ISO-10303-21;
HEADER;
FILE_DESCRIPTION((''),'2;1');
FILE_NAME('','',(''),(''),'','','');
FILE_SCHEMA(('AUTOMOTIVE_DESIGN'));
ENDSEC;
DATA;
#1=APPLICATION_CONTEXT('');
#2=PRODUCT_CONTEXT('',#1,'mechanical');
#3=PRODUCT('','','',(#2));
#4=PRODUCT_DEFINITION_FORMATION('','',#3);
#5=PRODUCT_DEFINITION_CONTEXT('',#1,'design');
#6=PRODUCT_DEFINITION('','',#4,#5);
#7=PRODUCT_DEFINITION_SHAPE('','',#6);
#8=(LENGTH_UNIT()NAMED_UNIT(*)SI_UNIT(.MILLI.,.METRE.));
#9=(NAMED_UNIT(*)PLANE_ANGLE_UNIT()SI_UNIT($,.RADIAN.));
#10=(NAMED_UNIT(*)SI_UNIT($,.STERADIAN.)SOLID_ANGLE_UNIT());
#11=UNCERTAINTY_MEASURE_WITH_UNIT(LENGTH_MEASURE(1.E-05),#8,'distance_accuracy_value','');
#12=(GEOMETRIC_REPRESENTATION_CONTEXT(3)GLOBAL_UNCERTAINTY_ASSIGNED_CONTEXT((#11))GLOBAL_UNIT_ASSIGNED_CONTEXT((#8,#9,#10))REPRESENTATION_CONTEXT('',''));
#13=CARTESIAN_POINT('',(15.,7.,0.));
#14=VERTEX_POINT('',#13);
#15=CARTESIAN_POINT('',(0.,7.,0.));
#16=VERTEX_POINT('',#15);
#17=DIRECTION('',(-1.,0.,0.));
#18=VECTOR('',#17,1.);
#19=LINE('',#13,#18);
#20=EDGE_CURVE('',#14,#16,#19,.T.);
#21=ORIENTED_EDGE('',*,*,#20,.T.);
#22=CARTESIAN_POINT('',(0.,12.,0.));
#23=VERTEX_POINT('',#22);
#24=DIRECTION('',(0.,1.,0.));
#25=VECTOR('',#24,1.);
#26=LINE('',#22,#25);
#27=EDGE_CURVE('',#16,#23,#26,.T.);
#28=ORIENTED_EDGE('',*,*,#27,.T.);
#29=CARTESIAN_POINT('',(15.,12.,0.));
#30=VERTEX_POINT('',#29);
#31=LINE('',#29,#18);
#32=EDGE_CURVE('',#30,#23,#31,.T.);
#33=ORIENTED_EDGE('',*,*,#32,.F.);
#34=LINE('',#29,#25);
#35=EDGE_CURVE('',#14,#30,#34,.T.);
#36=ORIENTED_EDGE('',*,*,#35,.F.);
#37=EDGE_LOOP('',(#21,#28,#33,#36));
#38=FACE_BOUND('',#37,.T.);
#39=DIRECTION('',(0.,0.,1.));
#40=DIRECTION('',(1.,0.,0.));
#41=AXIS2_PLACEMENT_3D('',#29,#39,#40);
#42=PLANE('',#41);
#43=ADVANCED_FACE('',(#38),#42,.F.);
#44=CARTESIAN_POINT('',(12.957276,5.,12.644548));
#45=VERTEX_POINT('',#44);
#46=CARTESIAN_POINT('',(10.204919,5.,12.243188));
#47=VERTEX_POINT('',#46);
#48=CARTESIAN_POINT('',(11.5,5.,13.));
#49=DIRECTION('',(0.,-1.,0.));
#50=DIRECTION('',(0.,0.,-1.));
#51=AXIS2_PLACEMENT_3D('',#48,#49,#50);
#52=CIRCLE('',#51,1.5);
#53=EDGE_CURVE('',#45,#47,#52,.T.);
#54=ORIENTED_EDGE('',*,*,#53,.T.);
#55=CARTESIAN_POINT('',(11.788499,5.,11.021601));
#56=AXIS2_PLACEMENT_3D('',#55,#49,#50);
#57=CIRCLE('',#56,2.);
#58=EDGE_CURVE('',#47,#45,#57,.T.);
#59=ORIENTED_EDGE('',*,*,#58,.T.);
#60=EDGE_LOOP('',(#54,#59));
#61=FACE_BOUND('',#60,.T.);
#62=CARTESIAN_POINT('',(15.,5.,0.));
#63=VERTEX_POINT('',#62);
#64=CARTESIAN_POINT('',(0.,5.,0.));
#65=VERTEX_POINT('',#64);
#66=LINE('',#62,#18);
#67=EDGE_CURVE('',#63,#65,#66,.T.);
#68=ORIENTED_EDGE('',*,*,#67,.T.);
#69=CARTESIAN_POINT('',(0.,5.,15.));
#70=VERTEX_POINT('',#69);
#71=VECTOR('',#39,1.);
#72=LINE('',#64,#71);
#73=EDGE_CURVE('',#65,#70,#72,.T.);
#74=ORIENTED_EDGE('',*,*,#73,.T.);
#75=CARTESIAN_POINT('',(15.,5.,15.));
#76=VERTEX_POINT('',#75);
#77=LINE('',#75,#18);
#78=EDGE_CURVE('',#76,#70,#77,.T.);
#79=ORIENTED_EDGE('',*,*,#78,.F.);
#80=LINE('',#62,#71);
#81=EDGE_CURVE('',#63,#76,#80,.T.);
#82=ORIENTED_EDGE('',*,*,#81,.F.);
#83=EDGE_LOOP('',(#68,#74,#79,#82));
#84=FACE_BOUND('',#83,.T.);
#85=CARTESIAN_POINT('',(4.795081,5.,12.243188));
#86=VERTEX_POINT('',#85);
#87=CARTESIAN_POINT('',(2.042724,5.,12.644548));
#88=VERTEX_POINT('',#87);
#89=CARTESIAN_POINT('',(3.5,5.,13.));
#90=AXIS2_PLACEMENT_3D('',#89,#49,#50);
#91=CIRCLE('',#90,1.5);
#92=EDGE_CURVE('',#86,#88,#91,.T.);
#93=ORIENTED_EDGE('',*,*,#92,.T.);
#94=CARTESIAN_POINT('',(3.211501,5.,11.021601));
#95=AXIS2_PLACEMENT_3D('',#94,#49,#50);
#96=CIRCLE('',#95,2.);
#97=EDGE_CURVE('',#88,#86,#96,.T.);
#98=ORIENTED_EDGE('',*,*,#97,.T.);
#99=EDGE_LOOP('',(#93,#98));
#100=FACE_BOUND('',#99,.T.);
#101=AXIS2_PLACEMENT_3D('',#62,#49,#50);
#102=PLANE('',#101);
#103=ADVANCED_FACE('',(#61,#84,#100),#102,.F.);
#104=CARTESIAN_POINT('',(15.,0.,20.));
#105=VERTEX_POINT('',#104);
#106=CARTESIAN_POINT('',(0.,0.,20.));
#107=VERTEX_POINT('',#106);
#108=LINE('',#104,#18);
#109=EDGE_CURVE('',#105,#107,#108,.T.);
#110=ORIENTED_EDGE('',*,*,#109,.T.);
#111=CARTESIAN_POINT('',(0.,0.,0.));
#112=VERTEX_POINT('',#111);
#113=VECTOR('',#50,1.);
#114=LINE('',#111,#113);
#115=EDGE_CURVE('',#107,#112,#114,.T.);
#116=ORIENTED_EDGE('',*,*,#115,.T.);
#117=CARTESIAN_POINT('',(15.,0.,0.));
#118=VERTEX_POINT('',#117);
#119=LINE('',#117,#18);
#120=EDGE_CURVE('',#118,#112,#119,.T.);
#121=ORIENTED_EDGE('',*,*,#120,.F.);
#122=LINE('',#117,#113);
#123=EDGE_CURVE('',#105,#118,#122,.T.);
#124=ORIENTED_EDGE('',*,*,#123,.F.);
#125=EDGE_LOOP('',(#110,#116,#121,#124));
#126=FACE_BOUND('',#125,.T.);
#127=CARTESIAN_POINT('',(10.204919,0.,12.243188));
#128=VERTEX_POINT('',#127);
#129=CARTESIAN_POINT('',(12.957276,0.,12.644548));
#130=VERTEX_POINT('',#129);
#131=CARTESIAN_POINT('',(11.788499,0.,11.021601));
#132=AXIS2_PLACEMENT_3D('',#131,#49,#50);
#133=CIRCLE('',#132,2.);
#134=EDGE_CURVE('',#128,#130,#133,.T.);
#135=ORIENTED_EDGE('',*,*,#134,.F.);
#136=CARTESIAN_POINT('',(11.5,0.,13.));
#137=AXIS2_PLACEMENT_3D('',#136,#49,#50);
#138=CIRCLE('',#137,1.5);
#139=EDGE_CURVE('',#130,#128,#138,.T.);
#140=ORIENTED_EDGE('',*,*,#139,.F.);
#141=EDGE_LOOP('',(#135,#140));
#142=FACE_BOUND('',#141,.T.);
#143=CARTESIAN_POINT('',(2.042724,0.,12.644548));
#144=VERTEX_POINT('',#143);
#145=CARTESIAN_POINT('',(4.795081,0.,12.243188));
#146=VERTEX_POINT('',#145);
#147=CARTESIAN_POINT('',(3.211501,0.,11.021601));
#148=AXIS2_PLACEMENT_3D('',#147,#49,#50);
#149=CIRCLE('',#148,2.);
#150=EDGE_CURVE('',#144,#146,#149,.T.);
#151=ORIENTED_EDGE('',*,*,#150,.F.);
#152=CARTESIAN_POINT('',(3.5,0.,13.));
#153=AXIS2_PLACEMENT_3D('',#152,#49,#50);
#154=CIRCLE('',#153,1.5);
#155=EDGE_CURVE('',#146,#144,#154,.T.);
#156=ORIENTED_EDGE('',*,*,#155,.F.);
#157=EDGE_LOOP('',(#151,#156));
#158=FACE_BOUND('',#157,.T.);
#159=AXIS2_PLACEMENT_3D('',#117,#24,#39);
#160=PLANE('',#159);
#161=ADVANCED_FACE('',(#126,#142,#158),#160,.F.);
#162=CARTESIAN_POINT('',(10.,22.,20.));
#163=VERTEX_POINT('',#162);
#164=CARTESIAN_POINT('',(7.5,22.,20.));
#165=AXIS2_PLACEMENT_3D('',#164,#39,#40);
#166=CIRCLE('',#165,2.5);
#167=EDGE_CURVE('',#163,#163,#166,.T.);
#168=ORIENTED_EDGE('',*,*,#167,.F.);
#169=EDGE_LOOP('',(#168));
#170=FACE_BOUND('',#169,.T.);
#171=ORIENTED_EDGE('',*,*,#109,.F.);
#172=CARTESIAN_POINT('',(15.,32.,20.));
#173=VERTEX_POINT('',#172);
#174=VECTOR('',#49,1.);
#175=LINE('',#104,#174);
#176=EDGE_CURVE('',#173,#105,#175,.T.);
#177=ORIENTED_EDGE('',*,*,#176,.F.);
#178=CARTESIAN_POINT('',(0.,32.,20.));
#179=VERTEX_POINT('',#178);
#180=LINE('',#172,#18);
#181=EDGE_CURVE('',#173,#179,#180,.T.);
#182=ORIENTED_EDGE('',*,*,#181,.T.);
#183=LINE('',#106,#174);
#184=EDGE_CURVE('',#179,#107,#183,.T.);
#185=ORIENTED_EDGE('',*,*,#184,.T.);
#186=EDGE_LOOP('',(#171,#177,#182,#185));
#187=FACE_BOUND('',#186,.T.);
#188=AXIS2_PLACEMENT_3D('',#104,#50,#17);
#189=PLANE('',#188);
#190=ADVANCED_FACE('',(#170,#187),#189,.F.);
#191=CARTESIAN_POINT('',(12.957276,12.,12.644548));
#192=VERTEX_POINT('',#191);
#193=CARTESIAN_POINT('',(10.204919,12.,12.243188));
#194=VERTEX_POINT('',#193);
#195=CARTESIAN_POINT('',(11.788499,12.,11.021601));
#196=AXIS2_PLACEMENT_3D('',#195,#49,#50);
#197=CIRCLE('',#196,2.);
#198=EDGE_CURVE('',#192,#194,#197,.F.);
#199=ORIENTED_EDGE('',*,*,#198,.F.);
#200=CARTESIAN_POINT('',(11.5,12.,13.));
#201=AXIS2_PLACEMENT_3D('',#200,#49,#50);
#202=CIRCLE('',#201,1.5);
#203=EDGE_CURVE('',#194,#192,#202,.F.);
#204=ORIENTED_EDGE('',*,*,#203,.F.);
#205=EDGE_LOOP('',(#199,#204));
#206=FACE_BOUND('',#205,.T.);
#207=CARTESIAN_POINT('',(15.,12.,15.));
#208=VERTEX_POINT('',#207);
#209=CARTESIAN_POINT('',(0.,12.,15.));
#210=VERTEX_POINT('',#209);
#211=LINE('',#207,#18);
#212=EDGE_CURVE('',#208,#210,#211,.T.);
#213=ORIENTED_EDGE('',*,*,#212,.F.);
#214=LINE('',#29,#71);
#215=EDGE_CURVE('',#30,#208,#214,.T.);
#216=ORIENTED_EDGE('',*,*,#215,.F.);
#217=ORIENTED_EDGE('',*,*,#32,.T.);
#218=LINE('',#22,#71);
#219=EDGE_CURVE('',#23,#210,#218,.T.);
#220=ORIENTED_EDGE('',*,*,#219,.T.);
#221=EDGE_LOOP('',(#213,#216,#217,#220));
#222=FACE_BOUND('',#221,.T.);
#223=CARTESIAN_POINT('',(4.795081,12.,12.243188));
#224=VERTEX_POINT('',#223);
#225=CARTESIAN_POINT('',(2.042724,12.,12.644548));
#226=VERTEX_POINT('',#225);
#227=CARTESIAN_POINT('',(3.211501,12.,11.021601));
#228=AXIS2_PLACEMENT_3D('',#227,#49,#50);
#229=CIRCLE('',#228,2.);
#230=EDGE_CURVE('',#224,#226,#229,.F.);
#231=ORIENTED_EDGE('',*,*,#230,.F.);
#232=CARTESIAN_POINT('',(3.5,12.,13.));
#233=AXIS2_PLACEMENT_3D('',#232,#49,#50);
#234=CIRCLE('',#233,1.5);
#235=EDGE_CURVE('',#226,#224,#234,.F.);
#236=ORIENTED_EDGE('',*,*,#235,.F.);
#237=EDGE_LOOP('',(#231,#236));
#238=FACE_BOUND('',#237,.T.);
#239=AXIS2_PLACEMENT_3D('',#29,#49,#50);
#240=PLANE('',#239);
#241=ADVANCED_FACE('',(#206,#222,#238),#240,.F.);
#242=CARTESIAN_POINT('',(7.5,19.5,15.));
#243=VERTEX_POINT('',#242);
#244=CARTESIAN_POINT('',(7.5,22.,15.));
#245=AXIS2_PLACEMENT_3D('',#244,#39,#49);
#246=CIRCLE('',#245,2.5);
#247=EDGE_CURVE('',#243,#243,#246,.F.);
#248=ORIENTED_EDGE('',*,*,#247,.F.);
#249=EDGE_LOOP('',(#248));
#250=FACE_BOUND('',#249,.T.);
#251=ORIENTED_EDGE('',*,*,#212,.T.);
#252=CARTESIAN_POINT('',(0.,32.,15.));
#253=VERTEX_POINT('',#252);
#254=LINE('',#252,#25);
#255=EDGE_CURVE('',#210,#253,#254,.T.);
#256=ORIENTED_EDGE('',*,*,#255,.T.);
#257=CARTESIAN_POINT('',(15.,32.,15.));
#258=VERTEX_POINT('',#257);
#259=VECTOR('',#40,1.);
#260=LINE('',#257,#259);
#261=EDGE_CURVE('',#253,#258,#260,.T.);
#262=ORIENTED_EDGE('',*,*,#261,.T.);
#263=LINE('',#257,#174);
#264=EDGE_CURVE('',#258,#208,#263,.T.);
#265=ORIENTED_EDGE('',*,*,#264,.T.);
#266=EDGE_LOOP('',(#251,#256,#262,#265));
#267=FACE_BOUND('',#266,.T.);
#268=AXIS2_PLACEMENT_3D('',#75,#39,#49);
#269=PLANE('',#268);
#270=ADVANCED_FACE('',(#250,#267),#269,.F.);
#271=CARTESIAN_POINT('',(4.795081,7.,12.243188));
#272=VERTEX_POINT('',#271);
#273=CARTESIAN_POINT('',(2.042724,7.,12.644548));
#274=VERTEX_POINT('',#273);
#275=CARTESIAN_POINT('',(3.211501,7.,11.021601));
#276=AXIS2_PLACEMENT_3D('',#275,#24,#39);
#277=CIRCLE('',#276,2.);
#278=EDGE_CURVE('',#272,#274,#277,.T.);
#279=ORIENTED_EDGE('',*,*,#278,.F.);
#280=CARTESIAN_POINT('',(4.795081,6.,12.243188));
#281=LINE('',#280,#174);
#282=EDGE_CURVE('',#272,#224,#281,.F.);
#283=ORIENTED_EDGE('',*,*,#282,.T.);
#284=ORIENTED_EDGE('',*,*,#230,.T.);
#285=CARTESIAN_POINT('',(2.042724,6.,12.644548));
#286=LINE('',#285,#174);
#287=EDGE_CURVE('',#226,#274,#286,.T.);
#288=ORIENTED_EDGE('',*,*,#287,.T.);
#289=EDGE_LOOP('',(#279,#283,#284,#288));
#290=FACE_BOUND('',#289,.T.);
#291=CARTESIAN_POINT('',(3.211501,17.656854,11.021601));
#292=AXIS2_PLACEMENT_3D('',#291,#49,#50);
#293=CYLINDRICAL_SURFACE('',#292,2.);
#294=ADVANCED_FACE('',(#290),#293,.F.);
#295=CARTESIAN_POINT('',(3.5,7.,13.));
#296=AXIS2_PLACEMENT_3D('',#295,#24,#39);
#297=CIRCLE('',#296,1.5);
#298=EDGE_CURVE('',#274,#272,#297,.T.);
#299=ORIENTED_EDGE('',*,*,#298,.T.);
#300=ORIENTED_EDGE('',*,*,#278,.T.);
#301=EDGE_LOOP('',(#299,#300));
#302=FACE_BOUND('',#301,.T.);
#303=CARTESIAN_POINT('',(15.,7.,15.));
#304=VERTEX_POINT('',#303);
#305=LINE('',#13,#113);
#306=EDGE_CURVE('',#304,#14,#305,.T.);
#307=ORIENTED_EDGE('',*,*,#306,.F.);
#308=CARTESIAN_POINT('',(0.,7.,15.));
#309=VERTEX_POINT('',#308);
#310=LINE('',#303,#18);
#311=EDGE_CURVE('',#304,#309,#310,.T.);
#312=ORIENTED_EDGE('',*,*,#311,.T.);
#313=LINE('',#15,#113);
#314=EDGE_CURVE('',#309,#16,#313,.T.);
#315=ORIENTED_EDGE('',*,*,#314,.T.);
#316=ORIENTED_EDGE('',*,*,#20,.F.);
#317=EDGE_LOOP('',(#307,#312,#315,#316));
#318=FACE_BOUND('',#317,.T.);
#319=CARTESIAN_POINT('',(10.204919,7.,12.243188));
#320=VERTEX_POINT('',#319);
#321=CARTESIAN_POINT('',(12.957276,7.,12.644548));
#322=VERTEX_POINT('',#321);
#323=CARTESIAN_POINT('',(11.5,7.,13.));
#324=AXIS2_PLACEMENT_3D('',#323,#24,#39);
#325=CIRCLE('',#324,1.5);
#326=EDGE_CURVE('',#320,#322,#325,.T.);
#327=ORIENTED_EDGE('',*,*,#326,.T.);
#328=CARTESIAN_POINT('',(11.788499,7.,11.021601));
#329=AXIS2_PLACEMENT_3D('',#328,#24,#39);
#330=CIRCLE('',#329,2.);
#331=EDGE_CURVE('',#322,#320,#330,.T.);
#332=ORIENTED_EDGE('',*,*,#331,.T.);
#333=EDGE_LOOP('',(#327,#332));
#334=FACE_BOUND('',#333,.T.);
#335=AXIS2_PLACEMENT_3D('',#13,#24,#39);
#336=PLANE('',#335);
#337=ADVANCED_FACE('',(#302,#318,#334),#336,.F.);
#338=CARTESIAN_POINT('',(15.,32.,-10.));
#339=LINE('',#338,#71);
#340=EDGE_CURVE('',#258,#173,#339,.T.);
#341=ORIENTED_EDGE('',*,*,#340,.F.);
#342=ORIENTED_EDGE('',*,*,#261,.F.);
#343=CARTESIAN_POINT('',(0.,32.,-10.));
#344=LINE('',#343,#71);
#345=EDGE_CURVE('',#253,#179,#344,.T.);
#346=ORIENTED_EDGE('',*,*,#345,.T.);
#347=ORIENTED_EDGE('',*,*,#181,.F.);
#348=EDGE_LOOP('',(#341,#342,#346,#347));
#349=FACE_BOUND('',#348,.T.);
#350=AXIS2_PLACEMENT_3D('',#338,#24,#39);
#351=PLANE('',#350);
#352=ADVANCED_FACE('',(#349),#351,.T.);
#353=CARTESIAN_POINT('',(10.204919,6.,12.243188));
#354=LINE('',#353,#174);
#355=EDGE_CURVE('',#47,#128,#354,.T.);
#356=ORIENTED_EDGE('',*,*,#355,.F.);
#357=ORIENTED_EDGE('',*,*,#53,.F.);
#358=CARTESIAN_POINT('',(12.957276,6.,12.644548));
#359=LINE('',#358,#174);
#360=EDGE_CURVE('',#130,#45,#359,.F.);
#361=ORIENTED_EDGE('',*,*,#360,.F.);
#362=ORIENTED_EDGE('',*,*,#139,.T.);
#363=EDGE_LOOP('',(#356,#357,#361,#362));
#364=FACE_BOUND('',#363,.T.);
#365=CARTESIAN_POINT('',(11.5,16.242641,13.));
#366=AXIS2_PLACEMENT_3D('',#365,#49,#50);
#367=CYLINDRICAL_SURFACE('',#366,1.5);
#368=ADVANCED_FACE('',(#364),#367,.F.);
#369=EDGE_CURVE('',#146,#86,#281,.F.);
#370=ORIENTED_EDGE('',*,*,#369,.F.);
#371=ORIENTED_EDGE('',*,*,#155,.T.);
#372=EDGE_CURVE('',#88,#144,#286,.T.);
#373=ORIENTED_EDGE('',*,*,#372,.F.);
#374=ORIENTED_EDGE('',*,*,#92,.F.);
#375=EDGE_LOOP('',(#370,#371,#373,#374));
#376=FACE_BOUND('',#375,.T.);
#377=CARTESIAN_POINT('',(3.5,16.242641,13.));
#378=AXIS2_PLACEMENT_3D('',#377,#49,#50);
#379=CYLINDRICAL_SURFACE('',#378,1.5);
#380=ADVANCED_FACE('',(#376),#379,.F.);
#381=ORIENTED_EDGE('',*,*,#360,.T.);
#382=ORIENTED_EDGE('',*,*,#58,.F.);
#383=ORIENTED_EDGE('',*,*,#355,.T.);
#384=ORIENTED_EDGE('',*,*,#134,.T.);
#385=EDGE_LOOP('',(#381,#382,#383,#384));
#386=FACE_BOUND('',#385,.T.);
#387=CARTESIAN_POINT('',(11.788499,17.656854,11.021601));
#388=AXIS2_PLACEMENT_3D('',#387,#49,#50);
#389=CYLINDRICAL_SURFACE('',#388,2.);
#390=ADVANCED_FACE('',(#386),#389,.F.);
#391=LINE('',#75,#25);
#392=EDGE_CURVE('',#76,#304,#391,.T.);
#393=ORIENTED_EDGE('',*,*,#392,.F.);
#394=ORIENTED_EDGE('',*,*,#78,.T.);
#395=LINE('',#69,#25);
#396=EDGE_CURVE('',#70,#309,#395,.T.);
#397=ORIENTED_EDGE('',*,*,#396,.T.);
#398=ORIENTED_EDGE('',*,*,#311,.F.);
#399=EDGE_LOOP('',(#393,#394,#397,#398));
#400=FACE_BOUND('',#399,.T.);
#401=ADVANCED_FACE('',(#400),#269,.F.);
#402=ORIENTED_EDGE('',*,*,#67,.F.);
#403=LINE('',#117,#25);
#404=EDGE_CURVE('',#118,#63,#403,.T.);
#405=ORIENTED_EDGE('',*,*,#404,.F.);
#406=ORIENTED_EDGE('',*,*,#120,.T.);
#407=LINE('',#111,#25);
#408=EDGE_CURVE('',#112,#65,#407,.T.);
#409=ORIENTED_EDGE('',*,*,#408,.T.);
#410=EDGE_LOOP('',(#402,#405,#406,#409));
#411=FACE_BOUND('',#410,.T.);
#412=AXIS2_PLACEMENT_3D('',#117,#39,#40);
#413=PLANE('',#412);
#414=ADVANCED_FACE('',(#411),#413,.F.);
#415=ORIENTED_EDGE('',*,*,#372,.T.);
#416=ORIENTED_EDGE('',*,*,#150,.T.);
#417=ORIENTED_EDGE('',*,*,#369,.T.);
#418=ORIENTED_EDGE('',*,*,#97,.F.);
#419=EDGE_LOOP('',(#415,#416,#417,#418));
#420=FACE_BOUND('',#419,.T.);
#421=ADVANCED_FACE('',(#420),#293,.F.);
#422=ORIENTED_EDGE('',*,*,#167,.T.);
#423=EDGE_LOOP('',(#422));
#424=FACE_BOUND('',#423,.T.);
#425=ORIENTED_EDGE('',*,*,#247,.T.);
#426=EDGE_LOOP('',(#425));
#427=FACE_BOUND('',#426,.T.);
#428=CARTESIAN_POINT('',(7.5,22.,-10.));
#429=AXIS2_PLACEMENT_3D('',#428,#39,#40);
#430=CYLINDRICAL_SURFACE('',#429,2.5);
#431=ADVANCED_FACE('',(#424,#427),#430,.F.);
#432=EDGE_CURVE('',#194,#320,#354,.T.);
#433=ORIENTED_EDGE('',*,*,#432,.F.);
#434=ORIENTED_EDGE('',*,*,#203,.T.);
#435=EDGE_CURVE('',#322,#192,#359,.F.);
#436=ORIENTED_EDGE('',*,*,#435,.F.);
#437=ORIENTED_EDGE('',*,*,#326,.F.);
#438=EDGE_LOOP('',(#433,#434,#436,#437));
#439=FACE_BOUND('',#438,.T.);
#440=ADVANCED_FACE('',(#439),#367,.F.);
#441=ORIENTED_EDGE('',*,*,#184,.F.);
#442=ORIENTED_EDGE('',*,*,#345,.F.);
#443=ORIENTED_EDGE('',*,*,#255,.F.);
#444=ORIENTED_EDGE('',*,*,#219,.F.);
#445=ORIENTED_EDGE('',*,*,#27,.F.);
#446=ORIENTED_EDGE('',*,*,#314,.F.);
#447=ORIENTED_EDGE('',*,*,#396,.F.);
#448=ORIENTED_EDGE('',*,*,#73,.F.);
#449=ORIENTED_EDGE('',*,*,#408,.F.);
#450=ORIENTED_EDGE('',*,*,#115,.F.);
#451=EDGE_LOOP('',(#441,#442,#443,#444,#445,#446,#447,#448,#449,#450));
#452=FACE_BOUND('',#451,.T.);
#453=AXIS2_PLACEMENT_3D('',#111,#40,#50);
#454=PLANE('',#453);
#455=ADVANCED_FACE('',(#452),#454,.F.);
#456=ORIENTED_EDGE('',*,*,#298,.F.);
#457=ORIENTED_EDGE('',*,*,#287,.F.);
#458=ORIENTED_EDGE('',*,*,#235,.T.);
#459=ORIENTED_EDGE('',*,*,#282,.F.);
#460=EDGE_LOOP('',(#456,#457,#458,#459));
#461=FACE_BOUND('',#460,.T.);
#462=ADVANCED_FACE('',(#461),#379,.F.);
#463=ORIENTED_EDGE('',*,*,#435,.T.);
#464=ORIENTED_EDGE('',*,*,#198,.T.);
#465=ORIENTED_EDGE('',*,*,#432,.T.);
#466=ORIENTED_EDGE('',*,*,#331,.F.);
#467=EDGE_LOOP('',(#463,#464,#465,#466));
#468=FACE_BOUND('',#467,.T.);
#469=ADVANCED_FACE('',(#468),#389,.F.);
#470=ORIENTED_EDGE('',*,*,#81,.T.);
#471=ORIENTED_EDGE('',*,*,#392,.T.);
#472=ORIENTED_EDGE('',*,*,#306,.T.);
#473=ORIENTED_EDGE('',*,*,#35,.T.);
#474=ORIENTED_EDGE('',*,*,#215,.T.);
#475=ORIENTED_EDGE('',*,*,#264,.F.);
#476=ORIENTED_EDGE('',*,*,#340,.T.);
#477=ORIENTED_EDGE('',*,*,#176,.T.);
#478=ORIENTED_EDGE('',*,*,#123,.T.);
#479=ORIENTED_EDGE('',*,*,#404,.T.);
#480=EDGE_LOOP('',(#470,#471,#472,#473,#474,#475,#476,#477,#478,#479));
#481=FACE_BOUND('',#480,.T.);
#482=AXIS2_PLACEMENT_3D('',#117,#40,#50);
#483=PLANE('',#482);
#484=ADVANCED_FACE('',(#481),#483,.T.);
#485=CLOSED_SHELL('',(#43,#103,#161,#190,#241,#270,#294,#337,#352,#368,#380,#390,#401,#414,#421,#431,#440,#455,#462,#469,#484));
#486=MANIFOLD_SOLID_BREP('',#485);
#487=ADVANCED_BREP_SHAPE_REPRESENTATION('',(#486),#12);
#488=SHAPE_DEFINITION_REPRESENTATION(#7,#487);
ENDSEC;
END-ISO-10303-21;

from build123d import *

# Parameters (mm, degrees)
ESTRUSIONE_ESTRUSIONE1_DEPTH = 15
SCHIZZO5_W                   = 15
SCHIZZO5_H                   = 20
SCHIZZO5_R                   = 2.5
ESTRUSIONE_ESTRUSIONE2_DEPTH = 5
SCHIZZO6_R                   = 2
TAGLIO_ESTRUSIONE2_DEPTH     = 12
SCHIZZO4_R                   = 1.5
TAGLIO_ESTRUSIONE1_DEPTH     = 12


with BuildPart() as part:
    # Schizzo1 → Estrusione-Estrusione1 (new body)
    with BuildSketch(Plane(origin=(0, 0, 0), x_dir=(0, 0, -1), z_dir=(1, 0, 0))):
        Polygon((0, 0), (-20, 0), (-20, 12), (0, 12), (0, 7), (-15, 7), (-15, 5), (0, 5), align=None)
    extrude(amount=ESTRUSIONE_ESTRUSIONE1_DEPTH)

    # Schizzo5 → Estrusione-Estrusione2 (add)
    with BuildSketch(Plane.XY.offset(20)):
        with Locations((7.5, 22)):
            Rectangle(SCHIZZO5_W, SCHIZZO5_H)
        with Locations((7.5, 22)):
            Circle(SCHIZZO5_R, mode=Mode.SUBTRACT)
    extrude(amount=-ESTRUSIONE_ESTRUSIONE2_DEPTH)

    # Schizzo6 → Taglio-Estrusione2 (cut)
    with BuildSketch(Plane.XZ):
        with Locations((3.21150116, 11.021600653)):
            Circle(SCHIZZO6_R)
        with Locations((11.78849884, 11.021600653)):
            Circle(SCHIZZO6_R)
    extrude(amount=-TAGLIO_ESTRUSIONE2_DEPTH, mode=Mode.SUBTRACT)

    # Schizzo4 → Taglio-Estrusione1 (cut)
    with BuildSketch(Plane.XZ):
        with Locations((3.5, 13)):
            Circle(SCHIZZO4_R)
        with Locations((11.5, 13)):
            Circle(SCHIZZO4_R)
    extrude(amount=-TAGLIO_ESTRUSIONE1_DEPTH, mode=Mode.SUBTRACT)


solid = part.part
